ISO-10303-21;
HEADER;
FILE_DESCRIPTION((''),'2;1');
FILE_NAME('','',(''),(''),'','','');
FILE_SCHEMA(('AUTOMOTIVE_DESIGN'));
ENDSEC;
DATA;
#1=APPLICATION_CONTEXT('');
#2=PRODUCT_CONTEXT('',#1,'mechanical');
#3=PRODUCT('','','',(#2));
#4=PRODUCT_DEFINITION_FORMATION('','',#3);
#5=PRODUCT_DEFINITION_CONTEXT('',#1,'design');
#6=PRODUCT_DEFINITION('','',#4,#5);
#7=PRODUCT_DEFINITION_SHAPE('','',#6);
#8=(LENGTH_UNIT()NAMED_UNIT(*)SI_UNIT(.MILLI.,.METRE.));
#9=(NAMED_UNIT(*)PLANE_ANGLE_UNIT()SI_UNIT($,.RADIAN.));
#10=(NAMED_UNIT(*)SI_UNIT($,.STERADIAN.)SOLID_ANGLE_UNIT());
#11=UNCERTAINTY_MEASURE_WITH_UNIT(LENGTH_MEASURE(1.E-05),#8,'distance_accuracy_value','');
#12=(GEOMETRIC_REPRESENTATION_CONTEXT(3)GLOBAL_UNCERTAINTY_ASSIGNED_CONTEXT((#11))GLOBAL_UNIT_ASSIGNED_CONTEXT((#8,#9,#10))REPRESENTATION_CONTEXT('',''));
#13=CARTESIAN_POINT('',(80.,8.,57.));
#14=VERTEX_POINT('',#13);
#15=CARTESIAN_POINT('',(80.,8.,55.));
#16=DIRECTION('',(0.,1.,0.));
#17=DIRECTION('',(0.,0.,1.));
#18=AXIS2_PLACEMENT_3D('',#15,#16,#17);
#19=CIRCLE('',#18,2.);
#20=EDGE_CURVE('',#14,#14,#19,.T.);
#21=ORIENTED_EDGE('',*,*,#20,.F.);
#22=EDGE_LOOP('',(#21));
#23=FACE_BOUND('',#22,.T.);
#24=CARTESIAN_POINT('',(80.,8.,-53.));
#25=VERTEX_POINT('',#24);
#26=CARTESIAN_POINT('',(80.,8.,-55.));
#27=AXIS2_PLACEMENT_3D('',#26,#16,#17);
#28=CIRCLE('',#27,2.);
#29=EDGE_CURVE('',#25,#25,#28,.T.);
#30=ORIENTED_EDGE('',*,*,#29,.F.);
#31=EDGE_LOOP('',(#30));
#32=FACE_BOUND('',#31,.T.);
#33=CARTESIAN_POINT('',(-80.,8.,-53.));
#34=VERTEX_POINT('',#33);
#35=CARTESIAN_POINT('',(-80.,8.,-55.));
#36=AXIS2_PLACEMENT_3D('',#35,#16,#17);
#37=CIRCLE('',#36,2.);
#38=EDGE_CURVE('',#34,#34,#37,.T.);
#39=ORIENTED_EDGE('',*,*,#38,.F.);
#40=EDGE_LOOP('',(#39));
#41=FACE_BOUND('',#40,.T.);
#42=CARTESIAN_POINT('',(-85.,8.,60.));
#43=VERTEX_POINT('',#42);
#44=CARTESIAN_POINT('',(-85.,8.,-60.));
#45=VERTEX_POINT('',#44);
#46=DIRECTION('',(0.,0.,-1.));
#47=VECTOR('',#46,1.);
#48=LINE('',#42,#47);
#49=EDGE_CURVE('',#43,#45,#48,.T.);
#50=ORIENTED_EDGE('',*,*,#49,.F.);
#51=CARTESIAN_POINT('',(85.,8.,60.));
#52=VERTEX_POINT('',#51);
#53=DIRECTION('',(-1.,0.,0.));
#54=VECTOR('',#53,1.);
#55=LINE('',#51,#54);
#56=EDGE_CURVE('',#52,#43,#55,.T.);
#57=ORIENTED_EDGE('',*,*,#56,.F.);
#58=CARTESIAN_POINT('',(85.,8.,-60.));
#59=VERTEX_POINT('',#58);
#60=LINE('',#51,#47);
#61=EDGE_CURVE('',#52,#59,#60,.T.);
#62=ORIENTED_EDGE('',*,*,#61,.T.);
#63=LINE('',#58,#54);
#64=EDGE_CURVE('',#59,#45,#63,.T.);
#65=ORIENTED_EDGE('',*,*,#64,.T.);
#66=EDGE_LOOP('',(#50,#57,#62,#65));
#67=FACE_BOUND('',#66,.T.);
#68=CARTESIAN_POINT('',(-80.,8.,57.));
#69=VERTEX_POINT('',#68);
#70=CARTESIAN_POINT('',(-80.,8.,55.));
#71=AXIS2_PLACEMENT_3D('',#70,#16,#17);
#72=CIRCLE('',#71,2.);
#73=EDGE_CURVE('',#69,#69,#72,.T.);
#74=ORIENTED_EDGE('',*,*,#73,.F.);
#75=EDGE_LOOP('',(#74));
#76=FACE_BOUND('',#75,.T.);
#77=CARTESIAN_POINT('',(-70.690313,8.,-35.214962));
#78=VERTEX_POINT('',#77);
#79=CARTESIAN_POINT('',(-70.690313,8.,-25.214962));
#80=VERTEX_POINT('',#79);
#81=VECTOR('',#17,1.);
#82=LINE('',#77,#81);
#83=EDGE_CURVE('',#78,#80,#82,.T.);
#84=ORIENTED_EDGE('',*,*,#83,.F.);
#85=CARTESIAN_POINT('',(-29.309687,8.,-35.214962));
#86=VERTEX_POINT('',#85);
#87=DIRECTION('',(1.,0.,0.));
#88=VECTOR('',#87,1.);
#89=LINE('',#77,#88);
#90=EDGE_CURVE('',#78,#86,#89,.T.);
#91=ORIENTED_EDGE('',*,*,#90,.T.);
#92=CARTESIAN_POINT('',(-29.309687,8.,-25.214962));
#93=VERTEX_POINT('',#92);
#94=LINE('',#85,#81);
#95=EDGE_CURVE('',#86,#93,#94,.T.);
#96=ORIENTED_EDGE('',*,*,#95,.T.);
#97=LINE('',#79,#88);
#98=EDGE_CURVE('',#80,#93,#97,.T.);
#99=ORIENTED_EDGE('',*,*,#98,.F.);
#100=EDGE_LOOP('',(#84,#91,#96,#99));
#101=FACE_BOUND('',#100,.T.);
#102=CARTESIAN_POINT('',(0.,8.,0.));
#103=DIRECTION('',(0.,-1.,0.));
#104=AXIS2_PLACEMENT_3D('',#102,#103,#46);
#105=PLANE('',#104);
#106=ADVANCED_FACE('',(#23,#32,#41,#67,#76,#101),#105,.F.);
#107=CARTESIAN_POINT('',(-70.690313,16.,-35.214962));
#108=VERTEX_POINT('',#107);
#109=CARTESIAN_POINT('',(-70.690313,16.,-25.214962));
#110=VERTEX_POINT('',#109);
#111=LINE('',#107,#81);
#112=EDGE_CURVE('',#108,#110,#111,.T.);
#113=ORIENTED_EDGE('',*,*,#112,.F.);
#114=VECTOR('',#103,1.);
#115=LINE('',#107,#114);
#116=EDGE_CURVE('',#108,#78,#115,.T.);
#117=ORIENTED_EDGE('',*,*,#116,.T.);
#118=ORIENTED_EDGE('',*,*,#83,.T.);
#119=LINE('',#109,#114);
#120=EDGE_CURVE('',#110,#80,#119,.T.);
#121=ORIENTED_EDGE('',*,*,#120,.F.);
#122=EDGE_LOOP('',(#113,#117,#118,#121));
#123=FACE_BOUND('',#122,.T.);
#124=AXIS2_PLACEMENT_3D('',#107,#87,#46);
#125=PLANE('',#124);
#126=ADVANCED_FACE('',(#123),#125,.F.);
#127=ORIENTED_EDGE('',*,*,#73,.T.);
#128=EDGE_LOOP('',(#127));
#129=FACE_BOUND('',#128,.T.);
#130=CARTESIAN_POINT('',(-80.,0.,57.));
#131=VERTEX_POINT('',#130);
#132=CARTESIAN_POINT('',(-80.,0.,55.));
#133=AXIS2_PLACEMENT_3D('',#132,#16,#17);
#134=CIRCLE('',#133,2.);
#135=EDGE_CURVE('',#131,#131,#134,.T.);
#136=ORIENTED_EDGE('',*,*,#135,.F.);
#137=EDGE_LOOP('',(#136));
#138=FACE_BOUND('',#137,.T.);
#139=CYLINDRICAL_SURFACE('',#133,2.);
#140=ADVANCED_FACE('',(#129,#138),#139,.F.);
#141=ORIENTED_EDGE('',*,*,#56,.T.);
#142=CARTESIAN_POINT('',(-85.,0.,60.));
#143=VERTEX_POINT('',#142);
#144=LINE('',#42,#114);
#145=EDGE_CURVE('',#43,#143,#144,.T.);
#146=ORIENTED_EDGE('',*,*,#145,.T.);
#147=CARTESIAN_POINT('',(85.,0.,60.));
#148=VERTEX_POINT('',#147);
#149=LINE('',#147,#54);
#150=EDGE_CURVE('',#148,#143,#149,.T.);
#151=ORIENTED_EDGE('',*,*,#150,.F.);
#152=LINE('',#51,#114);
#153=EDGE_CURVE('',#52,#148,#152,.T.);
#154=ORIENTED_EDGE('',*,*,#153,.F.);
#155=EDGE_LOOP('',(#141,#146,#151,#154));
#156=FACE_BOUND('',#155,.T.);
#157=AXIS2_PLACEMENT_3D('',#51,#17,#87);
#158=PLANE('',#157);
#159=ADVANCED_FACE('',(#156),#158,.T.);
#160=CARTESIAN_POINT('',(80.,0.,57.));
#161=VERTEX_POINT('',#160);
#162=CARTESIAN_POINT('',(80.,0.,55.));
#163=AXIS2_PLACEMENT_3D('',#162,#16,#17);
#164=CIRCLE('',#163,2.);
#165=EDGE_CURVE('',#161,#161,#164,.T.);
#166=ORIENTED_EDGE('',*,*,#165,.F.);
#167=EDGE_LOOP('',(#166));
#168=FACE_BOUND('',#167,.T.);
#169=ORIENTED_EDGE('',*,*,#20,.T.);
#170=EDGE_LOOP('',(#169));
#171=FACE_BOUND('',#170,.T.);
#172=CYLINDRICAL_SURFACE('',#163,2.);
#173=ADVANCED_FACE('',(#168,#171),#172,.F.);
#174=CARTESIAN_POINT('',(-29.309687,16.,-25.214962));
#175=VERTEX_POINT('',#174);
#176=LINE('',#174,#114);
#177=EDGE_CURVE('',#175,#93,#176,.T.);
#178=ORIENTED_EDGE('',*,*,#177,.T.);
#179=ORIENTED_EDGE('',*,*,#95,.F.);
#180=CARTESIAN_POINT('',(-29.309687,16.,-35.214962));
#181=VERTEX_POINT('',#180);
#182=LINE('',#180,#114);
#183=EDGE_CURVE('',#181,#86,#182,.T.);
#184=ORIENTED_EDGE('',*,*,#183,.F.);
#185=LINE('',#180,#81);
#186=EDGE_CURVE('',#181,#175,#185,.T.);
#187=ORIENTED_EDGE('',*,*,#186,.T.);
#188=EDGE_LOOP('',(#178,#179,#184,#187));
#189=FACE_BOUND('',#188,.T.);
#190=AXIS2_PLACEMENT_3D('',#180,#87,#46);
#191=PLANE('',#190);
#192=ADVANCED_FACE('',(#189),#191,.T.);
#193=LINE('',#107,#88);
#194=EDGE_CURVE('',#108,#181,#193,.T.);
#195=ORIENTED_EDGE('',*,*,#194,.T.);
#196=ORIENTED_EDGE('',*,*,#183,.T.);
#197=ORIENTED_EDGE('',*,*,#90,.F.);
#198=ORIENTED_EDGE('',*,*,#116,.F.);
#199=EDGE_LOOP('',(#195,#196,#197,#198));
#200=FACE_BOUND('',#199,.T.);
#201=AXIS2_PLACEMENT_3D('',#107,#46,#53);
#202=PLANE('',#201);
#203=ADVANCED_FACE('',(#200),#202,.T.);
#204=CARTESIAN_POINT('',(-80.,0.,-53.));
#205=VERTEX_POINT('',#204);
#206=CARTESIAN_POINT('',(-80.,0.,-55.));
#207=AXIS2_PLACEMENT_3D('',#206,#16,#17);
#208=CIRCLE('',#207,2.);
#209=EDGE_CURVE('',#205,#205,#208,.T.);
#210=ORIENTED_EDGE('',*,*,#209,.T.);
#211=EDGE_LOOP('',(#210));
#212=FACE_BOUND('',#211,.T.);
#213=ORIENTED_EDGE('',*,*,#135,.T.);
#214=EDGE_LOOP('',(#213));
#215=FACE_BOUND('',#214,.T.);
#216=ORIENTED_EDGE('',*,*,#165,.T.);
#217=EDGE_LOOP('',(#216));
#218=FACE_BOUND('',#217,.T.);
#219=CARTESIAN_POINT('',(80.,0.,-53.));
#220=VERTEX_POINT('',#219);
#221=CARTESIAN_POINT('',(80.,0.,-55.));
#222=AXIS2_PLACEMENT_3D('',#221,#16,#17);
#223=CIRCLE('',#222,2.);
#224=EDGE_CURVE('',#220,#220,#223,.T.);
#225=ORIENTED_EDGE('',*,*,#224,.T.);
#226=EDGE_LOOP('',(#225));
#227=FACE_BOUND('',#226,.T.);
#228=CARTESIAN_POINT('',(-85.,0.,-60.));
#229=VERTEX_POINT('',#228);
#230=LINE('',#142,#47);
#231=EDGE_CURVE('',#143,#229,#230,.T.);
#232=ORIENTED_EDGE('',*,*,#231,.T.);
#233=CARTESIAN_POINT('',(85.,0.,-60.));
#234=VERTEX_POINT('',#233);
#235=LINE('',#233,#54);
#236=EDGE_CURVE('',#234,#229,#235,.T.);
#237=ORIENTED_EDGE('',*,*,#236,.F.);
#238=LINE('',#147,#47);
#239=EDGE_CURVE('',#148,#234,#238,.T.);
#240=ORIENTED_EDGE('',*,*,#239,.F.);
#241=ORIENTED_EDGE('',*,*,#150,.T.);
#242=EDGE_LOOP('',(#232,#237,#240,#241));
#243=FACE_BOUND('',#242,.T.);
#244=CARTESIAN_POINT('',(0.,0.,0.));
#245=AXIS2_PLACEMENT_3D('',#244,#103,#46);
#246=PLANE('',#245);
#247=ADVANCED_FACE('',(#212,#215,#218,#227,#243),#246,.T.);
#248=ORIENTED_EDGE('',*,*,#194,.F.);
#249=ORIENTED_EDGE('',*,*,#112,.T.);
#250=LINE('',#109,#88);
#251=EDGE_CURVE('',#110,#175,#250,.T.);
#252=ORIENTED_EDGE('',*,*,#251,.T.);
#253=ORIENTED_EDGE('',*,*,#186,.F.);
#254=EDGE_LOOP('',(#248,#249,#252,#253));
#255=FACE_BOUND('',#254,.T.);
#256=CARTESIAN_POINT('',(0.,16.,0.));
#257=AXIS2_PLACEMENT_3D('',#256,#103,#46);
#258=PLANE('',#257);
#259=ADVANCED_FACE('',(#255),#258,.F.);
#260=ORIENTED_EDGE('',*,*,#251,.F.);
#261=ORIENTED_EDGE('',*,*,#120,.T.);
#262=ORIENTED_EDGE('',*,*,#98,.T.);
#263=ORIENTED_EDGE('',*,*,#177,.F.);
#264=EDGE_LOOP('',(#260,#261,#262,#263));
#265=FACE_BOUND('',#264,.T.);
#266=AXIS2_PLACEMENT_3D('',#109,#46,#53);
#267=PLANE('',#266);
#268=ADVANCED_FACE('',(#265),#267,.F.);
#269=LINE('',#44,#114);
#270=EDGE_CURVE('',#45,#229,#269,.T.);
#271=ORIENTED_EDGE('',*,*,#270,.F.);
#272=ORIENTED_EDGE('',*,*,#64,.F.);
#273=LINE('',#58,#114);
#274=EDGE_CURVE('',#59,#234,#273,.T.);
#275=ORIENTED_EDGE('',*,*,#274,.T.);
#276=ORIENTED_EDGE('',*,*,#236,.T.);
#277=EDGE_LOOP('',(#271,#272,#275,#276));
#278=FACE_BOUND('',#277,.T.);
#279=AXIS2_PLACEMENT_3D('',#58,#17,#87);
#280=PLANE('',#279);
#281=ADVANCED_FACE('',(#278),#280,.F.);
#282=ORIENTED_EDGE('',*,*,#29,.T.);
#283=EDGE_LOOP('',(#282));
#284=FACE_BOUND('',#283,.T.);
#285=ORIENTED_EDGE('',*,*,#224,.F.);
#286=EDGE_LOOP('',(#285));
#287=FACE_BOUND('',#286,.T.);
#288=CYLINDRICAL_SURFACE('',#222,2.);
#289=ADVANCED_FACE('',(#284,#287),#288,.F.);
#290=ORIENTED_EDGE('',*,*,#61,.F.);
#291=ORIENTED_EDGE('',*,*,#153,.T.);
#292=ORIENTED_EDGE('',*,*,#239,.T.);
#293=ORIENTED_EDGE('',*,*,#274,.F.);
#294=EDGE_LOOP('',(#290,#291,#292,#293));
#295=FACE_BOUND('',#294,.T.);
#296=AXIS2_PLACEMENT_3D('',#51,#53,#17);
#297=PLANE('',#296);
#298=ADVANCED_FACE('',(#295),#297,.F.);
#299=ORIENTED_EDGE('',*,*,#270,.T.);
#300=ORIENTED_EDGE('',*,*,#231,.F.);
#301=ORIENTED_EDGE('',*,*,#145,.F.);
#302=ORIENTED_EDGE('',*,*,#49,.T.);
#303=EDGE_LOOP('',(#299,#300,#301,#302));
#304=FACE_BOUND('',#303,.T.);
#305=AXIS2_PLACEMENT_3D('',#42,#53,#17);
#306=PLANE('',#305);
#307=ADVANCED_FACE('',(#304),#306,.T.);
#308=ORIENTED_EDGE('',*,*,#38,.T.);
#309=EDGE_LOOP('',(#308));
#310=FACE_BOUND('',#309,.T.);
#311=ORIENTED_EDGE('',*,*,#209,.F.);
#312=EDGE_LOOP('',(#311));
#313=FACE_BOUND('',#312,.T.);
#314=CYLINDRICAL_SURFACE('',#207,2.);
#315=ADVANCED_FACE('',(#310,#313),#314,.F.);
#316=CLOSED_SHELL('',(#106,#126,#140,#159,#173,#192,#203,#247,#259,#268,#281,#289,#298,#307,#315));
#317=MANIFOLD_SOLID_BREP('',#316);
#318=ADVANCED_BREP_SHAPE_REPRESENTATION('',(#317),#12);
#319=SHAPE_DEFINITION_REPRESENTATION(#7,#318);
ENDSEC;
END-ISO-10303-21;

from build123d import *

# Parameters (mm, degrees)
SKETCH1_W           = 170
SKETCH1_H           = 120
BOSS_EXTRUDE1_DEPTH = 8
SKETCH2_W           = 41.380626675
SKETCH2_H           = 10
BOSS_EXTRUDE2_DEPTH = 8
SKETCH3_R           = 2
CUT_EXTRUDE1_DEPTH  = 8


with BuildPart() as part:
    # Sketch1 → Boss-Extrude1 (new body)
    with BuildSketch(Plane(origin=(0, 0, 0), x_dir=(1, 0, 0), z_dir=(0, 1, 0))):
        Rectangle(SKETCH1_W, SKETCH1_H)
    extrude(amount=BOSS_EXTRUDE1_DEPTH)

    # Sketch2 → Boss-Extrude2 (add)
    with BuildSketch(Plane(origin=(-17.791513114, 8, -1.374929401), x_dir=(1, 0, 0), z_dir=(0, 1, 0))):
        with Locations((-32.208486886, 28.840032215)):
            Rectangle(SKETCH2_W, SKETCH2_H)
    extrude(amount=BOSS_EXTRUDE2_DEPTH)

    # Sketch3 → Cut-Extrude1 (cut)
    with BuildSketch(Plane(origin=(0, 8, 0), x_dir=(1, 0, 0), z_dir=(0, 1, 0))):
        with Locations((-80, 55)):
            Circle(SKETCH3_R)
        with Locations((-80, -55)):
            Circle(SKETCH3_R)
        with Locations((80, 55)):
            Circle(SKETCH3_R)
        with Locations((80, -55)):
            Circle(SKETCH3_R)
    extrude(amount=-CUT_EXTRUDE1_DEPTH, mode=Mode.SUBTRACT)


solid = part.part
